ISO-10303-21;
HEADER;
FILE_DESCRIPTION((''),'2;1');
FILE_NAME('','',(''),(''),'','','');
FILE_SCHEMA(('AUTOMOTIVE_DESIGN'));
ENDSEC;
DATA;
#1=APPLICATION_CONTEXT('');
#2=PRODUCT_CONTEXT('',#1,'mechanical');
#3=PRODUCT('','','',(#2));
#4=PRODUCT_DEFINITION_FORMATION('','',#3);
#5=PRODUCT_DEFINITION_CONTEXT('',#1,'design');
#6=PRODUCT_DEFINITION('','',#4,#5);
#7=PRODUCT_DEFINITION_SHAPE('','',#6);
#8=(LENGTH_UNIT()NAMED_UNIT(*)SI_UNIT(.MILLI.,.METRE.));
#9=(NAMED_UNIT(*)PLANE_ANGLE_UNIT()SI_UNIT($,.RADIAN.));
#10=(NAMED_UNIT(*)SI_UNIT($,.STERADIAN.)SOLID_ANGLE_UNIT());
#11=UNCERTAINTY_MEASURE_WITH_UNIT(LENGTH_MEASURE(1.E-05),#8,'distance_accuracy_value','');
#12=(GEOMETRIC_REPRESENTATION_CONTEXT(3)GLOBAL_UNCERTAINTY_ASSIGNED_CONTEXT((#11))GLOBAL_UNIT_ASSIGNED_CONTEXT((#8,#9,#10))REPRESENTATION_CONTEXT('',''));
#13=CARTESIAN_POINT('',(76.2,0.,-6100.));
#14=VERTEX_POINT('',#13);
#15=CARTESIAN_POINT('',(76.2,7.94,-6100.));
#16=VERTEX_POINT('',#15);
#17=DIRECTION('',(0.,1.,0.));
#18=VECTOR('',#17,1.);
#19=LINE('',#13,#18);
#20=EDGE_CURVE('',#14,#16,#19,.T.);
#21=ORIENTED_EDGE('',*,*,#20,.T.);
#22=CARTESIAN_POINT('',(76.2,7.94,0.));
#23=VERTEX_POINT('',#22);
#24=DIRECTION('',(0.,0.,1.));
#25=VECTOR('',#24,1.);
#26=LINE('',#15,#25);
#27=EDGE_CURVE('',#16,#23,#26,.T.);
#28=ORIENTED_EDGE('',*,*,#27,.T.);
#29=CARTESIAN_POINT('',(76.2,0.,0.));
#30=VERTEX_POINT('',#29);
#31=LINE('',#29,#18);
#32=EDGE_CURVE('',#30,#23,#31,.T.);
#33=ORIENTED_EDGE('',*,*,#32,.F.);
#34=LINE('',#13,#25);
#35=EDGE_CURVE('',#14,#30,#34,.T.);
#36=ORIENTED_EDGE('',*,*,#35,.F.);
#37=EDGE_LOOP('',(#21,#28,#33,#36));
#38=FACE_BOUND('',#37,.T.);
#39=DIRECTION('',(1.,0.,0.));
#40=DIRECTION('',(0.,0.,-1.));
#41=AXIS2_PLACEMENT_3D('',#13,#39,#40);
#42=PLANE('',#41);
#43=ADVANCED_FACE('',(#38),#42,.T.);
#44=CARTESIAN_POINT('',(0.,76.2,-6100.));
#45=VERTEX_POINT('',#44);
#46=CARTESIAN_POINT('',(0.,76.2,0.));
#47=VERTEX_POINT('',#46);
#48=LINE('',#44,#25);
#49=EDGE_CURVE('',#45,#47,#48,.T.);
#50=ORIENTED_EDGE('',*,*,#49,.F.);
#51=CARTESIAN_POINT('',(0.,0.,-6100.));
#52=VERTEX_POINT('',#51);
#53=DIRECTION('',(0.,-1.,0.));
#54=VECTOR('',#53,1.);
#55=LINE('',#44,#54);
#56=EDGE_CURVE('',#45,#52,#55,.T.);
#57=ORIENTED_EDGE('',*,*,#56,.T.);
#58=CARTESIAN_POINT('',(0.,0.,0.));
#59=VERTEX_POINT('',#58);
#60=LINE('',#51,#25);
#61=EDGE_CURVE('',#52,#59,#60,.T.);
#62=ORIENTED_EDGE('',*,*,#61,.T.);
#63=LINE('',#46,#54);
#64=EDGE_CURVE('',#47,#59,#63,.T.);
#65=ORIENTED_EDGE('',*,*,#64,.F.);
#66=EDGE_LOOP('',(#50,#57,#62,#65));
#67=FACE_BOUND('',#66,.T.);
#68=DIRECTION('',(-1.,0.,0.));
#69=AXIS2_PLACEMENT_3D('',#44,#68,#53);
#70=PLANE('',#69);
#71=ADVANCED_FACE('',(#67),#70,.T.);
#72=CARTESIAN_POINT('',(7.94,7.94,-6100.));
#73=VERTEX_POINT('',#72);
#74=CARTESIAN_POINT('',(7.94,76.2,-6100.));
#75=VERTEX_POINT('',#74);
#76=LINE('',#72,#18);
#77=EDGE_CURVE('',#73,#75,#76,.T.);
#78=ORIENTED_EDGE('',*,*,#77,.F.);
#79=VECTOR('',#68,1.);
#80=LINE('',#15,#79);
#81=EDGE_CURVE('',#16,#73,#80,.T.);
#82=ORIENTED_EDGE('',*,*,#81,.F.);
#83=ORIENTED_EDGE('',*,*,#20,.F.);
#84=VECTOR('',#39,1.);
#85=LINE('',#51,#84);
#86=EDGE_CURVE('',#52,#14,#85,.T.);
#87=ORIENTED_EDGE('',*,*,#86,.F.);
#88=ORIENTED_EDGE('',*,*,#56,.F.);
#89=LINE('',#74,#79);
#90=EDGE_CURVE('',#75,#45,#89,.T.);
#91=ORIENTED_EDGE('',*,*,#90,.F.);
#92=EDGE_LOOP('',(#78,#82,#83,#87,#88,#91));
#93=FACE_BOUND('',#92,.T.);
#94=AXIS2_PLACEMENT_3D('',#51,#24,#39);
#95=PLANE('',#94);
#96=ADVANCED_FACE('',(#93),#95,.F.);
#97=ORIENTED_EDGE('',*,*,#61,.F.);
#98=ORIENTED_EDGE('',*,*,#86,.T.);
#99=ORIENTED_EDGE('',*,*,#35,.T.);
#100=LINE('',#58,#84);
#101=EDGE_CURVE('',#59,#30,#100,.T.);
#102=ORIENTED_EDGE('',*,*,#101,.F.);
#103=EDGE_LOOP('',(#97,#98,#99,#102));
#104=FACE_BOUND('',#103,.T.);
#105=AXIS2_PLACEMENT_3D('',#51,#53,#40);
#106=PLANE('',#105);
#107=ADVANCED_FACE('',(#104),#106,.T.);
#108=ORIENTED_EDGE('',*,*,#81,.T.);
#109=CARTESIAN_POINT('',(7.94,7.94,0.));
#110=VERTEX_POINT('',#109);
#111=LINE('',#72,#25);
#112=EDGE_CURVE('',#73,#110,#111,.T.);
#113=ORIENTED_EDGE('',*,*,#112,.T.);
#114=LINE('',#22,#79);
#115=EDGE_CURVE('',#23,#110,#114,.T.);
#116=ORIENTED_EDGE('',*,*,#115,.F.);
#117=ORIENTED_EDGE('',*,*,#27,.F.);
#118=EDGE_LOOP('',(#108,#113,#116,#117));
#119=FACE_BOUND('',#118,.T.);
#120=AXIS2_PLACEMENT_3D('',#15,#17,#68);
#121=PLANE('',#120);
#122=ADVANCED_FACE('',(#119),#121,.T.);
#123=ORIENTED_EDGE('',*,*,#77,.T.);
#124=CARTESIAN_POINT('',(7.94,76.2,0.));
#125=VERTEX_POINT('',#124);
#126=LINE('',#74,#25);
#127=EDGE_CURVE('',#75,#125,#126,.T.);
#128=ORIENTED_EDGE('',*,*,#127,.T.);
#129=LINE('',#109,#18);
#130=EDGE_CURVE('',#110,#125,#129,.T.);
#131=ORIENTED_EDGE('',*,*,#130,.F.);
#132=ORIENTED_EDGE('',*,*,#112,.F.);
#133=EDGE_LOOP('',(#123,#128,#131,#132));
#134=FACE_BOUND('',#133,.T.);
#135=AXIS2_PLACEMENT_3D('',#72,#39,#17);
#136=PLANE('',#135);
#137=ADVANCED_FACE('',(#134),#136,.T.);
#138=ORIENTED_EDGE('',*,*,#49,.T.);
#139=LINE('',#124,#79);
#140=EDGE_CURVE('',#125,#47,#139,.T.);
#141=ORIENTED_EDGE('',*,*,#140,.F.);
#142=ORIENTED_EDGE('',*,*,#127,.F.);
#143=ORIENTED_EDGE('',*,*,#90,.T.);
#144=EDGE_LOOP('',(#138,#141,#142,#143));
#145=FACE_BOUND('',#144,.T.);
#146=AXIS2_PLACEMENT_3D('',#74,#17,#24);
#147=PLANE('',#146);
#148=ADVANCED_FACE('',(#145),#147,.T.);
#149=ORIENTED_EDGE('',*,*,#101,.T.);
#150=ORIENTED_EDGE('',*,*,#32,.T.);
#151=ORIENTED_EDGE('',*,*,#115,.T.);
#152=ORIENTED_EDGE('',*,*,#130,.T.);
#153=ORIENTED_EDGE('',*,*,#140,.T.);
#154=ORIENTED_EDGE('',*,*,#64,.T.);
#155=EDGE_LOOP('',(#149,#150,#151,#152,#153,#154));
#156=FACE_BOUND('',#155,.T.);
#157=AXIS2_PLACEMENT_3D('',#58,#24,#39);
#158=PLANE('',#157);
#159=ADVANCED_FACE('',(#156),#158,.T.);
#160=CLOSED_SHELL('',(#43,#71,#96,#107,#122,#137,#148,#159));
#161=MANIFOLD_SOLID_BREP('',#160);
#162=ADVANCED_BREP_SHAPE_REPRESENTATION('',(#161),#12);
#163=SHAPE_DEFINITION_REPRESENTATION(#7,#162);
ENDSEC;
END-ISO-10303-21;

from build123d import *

# Parameters (mm, degrees)
SALIENTE_EXTRUIR1_DEPTH = 6100


with BuildPart() as part:
    # Croquis1 → Saliente-Extruir1 (new body)
    with BuildSketch(Plane.XY):
        Polygon((0, 76.2), (0, 0), (76.2, 0), (76.2, 7.94), (7.94, 7.94), (7.94, 76.2), align=None)
    extrude(amount=-SALIENTE_EXTRUIR1_DEPTH)


solid = part.part
